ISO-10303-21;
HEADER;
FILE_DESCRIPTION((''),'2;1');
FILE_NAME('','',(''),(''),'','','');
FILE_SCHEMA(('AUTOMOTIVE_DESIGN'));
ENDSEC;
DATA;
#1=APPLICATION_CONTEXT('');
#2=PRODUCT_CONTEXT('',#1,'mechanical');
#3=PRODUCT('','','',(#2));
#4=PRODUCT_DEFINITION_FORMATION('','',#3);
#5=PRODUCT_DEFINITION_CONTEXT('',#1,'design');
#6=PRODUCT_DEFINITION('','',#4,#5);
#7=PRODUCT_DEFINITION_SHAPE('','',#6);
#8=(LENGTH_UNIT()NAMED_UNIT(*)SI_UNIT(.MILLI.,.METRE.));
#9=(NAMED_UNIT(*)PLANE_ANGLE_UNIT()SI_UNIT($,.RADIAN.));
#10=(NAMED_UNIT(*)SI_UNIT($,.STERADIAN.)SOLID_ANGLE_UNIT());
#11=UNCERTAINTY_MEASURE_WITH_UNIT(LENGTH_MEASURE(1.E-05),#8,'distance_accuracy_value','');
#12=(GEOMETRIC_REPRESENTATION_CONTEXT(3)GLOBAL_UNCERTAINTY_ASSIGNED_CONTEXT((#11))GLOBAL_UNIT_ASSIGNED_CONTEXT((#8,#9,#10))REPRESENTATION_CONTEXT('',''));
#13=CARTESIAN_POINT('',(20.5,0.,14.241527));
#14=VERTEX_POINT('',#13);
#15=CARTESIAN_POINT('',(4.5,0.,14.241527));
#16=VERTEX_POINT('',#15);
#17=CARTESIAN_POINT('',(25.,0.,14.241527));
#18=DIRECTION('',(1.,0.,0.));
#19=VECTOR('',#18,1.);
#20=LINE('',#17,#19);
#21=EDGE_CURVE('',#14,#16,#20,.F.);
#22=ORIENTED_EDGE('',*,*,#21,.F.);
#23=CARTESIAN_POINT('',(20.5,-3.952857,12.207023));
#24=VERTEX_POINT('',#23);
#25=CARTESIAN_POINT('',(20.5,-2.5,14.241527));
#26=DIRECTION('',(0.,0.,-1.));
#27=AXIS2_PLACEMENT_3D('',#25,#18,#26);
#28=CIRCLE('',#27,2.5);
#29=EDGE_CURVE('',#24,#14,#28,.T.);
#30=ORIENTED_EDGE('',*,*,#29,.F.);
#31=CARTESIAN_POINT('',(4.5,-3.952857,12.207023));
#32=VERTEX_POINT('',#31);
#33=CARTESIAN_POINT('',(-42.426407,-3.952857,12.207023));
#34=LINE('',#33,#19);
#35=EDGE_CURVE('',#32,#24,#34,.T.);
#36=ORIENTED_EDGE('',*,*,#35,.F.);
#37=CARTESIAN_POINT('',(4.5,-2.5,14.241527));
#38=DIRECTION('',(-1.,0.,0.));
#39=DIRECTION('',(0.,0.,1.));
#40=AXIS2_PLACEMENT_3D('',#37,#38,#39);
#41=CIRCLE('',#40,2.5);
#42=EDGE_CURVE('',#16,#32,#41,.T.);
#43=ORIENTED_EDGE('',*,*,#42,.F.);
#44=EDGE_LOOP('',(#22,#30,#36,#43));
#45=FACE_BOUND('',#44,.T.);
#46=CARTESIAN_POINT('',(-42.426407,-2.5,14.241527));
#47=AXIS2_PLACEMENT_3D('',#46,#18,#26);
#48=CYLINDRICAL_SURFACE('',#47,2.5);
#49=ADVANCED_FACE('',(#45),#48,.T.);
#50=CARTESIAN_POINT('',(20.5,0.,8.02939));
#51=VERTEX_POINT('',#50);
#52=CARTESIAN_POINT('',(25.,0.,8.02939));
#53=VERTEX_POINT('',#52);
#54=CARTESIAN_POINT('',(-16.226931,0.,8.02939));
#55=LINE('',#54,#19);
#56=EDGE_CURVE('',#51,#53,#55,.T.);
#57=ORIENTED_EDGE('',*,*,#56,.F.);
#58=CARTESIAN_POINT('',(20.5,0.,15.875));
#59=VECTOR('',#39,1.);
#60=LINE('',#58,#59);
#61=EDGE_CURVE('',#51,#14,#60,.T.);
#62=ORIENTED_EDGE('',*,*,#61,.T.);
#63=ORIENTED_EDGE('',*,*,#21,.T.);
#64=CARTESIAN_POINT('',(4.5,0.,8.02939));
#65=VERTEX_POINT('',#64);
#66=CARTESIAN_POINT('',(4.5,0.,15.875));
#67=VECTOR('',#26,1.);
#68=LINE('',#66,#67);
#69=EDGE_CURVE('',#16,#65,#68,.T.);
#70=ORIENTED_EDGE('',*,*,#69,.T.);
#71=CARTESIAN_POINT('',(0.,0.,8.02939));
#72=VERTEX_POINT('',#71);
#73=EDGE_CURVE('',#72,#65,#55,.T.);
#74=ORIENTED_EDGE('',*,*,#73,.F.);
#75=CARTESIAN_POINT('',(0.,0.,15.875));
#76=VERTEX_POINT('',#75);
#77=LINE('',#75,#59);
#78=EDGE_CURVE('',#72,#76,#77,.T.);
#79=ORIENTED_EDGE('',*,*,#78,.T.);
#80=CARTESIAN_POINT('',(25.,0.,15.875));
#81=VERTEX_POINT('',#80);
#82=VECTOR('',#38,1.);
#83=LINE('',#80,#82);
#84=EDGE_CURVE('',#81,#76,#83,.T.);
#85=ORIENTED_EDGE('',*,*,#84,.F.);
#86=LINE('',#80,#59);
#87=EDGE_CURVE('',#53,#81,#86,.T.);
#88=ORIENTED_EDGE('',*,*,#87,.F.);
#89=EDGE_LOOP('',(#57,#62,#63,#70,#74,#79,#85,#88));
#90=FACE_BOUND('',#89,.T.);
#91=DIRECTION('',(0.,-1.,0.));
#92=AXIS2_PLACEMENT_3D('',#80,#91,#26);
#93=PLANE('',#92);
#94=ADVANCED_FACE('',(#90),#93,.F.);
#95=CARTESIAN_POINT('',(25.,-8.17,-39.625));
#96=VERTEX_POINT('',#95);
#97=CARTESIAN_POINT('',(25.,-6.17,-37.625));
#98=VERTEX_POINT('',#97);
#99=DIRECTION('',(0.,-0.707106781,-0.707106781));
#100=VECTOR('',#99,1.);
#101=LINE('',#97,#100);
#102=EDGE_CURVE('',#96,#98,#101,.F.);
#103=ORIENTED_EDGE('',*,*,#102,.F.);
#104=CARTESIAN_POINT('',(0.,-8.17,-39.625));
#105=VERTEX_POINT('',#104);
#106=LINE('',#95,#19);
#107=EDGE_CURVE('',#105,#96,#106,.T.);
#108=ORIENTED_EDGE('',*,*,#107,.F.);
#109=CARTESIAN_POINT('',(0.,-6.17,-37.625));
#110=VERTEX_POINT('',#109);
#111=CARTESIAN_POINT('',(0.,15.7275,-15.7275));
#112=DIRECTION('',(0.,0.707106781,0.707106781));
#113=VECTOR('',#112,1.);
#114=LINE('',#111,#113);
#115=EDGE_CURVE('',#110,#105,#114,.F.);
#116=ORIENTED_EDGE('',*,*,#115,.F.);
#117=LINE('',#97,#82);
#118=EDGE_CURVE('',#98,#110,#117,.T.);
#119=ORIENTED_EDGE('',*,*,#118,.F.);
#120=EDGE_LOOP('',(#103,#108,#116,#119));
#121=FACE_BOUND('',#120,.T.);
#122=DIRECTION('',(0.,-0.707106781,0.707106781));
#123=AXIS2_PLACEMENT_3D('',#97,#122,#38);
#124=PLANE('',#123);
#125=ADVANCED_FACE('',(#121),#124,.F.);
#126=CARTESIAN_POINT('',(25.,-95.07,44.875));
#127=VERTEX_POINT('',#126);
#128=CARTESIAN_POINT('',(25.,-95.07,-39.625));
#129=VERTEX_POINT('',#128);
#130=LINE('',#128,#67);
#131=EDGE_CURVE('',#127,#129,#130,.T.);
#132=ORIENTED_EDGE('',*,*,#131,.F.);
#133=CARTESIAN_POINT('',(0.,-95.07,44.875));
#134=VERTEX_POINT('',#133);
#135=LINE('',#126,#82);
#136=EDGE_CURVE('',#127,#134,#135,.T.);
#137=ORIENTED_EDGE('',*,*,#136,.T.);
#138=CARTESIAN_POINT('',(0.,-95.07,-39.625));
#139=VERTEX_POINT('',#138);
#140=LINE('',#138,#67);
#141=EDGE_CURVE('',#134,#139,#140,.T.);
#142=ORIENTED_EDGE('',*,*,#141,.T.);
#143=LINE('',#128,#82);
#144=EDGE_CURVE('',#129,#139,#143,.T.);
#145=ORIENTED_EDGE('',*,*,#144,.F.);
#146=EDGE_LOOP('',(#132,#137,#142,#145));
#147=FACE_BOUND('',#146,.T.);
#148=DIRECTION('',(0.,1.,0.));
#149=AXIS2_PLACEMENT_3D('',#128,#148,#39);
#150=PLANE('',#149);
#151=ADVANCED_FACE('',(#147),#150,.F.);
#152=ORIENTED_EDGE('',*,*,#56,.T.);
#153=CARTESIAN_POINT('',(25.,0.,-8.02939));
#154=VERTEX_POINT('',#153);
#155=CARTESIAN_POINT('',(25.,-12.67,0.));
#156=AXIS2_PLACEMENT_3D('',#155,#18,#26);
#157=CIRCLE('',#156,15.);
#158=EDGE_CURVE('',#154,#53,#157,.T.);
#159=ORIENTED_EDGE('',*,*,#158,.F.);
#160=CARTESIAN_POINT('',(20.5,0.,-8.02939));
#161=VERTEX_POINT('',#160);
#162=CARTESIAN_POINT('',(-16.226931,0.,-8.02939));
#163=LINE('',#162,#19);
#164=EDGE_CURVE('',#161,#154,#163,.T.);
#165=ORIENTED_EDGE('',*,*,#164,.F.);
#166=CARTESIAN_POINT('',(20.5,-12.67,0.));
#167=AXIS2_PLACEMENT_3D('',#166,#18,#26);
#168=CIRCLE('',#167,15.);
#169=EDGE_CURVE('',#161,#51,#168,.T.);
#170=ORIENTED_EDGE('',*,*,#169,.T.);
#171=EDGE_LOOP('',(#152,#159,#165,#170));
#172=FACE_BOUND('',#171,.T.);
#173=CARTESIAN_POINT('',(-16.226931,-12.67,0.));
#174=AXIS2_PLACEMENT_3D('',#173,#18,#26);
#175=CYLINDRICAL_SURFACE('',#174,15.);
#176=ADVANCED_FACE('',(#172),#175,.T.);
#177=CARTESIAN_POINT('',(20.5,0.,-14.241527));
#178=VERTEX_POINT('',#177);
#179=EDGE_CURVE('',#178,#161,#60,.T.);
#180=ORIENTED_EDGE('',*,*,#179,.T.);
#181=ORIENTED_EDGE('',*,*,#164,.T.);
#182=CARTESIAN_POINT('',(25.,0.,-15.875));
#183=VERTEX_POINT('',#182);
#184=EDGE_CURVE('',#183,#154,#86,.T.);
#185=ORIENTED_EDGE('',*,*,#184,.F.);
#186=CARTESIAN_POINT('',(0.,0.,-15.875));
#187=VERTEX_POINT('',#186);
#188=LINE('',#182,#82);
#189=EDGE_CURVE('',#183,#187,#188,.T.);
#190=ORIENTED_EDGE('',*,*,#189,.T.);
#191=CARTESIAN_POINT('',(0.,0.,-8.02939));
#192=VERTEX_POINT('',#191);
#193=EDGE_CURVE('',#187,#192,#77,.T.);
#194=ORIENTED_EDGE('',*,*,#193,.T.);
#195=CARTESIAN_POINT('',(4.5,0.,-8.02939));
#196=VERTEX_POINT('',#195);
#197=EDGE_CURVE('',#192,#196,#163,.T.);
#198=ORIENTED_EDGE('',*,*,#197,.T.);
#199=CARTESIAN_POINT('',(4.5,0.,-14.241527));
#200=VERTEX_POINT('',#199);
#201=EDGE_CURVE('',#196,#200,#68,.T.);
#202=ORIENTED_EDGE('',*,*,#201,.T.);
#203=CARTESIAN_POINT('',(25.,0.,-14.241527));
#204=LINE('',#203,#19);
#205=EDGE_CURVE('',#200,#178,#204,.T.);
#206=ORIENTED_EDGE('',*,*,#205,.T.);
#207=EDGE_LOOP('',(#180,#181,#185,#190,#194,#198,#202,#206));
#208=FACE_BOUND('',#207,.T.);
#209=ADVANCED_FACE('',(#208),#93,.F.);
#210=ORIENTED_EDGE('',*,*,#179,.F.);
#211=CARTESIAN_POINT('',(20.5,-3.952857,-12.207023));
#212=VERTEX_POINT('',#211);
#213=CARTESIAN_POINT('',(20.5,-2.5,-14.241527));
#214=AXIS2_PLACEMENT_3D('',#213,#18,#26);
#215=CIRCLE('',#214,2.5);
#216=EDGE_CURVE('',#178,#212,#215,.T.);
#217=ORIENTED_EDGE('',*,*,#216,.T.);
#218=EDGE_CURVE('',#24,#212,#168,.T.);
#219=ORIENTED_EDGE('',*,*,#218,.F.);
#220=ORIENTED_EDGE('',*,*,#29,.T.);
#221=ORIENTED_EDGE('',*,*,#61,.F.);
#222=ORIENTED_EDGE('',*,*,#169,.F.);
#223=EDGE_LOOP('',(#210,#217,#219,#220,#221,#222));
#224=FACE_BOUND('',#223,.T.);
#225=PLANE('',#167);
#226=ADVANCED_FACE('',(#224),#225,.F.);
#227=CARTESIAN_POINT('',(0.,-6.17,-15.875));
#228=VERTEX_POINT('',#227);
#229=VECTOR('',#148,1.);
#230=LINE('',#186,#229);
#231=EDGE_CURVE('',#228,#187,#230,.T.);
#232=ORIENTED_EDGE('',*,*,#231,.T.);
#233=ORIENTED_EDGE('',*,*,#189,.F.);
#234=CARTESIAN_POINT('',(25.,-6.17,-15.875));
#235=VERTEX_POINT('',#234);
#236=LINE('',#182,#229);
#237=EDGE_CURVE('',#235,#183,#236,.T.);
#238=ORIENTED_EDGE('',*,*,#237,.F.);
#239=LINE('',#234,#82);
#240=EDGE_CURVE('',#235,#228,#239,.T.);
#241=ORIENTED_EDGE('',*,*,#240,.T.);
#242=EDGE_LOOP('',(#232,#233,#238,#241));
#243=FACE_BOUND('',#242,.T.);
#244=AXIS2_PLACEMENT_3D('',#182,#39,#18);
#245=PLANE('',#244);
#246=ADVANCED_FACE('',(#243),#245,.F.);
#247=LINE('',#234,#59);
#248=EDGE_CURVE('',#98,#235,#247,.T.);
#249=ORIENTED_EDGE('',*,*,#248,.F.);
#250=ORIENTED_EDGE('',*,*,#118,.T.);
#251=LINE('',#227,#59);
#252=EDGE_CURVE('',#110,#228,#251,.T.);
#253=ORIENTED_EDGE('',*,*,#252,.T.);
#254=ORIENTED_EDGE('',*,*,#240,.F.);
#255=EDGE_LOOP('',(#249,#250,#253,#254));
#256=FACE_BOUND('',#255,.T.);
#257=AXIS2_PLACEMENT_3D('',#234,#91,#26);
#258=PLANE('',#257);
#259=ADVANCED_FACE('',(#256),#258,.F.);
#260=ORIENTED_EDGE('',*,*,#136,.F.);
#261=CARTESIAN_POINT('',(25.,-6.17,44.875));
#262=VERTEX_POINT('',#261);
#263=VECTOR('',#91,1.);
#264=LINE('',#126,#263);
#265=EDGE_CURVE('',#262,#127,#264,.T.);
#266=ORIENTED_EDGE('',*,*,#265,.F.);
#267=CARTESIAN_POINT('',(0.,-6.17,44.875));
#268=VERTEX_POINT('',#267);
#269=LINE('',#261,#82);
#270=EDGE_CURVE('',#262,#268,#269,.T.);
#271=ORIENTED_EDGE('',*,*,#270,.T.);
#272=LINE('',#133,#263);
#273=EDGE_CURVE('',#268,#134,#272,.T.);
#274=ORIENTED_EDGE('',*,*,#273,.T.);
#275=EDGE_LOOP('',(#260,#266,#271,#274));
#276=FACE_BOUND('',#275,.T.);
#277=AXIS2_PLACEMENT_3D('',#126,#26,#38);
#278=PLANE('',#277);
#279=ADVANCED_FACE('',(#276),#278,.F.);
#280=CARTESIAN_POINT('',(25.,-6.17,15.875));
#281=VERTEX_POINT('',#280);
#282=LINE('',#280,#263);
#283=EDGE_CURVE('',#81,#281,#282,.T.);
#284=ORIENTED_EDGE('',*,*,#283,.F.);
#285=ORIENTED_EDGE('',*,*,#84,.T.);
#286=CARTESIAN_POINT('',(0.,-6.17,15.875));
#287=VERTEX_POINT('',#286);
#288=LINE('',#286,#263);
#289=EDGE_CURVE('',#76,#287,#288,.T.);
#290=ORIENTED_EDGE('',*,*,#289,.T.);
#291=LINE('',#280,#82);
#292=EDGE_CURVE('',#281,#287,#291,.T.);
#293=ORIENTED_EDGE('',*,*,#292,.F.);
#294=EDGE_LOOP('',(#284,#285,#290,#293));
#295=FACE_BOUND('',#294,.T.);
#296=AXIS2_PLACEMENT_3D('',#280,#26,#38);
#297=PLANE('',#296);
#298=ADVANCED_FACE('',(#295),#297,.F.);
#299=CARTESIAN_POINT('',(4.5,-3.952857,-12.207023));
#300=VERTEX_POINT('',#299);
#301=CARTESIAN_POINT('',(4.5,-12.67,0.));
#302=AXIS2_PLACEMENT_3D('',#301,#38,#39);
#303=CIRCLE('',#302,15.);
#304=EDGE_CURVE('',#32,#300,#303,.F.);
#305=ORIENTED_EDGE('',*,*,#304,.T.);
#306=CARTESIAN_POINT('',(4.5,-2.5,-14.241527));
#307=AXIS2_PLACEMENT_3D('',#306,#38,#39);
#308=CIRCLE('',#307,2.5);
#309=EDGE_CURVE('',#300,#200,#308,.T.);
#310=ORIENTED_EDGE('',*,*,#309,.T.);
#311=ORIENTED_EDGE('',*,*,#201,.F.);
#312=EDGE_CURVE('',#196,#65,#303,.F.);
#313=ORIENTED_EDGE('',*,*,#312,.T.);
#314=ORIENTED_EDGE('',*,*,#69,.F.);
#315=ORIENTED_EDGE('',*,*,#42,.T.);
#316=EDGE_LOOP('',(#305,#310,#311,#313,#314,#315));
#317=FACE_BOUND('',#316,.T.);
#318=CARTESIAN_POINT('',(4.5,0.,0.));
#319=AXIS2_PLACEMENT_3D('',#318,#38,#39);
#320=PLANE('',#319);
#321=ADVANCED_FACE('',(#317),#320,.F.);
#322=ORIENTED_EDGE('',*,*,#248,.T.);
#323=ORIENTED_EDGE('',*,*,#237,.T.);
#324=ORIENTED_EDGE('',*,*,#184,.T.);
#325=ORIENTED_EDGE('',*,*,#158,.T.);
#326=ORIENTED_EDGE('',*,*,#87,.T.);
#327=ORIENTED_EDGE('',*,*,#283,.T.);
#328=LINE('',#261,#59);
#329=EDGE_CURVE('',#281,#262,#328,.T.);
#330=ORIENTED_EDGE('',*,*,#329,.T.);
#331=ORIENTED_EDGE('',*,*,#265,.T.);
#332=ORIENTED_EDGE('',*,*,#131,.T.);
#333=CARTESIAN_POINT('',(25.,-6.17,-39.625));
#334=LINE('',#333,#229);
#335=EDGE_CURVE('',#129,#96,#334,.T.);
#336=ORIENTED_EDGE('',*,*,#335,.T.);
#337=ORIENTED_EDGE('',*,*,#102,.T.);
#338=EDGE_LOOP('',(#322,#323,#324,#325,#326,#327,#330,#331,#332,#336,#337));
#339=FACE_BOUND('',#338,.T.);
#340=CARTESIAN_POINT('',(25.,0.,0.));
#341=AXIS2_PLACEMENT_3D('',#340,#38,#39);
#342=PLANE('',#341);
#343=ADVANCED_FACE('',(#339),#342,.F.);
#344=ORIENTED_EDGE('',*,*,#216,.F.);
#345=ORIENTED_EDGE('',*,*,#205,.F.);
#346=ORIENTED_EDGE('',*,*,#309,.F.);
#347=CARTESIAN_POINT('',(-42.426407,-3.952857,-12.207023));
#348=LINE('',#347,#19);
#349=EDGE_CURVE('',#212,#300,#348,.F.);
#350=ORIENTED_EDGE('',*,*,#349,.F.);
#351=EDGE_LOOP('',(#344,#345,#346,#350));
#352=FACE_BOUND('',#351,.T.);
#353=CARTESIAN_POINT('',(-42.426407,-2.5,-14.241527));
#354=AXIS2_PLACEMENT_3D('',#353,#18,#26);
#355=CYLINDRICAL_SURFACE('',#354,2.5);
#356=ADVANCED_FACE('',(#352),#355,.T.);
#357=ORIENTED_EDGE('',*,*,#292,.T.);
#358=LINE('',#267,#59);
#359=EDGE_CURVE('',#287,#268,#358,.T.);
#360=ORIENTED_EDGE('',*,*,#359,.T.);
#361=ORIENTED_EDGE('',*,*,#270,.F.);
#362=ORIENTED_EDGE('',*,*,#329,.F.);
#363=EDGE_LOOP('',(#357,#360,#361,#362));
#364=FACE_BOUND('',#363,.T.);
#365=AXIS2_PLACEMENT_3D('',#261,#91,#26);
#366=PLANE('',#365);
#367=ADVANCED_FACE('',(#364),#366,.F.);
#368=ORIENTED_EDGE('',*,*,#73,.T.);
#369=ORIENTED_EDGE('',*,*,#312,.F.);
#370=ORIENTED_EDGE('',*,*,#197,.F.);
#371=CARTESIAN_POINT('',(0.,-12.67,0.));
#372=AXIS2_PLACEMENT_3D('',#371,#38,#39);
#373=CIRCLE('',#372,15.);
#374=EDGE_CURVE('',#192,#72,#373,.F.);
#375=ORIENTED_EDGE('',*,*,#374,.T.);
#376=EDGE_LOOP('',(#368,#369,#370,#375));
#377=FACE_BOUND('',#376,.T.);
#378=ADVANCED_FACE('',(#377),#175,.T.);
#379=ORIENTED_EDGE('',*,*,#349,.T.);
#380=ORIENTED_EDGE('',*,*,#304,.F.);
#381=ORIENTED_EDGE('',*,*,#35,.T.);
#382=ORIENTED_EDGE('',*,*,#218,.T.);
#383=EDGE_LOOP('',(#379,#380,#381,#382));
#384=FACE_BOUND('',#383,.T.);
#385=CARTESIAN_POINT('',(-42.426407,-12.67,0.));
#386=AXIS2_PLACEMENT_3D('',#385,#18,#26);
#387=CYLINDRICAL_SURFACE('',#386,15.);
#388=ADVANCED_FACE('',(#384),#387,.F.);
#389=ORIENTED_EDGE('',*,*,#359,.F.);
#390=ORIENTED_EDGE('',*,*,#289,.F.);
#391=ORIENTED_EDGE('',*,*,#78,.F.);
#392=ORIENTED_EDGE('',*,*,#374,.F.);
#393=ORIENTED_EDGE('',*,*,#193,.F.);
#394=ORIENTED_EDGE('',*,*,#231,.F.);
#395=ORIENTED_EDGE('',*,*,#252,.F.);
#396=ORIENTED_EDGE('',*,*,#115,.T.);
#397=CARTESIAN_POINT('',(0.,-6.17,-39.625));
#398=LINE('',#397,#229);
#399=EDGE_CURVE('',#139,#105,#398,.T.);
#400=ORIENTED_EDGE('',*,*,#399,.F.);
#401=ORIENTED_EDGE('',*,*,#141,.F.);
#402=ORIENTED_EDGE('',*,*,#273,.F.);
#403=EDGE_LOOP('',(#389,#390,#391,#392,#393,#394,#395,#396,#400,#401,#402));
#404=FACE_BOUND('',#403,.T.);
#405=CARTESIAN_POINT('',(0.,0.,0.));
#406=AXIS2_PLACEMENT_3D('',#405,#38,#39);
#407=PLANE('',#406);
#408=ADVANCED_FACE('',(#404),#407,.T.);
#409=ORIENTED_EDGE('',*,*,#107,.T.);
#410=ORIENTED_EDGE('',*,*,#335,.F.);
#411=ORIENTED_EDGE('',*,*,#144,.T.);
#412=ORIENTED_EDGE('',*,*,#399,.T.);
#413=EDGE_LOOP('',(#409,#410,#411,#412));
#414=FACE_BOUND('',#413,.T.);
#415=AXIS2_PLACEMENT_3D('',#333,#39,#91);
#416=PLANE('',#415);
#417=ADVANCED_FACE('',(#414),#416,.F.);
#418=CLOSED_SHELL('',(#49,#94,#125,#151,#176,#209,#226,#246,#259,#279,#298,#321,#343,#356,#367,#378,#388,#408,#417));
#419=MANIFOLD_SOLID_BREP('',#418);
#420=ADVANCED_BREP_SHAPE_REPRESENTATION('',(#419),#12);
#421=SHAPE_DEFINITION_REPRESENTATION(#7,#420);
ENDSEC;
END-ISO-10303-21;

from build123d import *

# Parameters (mm, degrees)
BOSS_EXTRUDE1_DEPTH = 25
BOSS_EXTRUDE2_DEPTH = 25
CUT_EXTRUDE1_START  = -4.5
SKETCH3_R           = 15
CUT_EXTRUDE1_DEPTH  = 16
CHAMFER1_SIZE       = 2
FILLET2_R           = 2.5


with BuildPart() as part:
    # Sketch1 → Boss-Extrude1 (new body)
    with BuildSketch(Plane(origin=(0, 0, 0), x_dir=(0, 0, -1), z_dir=(1, 0, 0))):
        Polygon((-44.875, -95.07), (-44.875, -6.17), (-15.875, -6.17), (-15.875, 0), (15.875, 0), (15.875, -6.17), (39.625, -6.17), (39.625, -95.07), align=None)
    extrude(amount=BOSS_EXTRUDE1_DEPTH)

    # Sketch2 → Boss-Extrude2 (add)
    with BuildSketch(Plane(origin=(25, 0, 0), x_dir=(0, 0, -1), z_dir=(1, 0, 0))):
        with BuildLine():
            Line((-8.029389765, 0), (8.029389765, 0))
            ThreePointArc((8.029389765, 0), (0, 2.33), (-8.029389765, 0))
        make_face()
    extrude(amount=-BOSS_EXTRUDE2_DEPTH)

    # Sketch3 → Cut-Extrude1 (cut)
    with BuildSketch(Plane(origin=(25, 0, 0), x_dir=(0, 0, -1), z_dir=(1, 0, 0)).offset(CUT_EXTRUDE1_START)):
        with Locations((0, -12.67)):
            Circle(SKETCH3_R)
    extrude(amount=-CUT_EXTRUDE1_DEPTH, mode=Mode.SUBTRACT)

    # Chamfer1
    chamfer1_edges = [part.edges().sort_by_distance(p)[0] for p in [
        (12.5, -6.17, -39.625),
    ]]
    chamfer(chamfer1_edges, length=CHAMFER1_SIZE)

    # Fillet2
    fillet2_edges = [part.edges().sort_by_distance(p)[0] for p in [
        (12.5, 0, -8.029389765),
        (12.5, 0, 8.029389765),
    ]]
    fillet(fillet2_edges, radius=FILLET2_R)


solid = part.part
